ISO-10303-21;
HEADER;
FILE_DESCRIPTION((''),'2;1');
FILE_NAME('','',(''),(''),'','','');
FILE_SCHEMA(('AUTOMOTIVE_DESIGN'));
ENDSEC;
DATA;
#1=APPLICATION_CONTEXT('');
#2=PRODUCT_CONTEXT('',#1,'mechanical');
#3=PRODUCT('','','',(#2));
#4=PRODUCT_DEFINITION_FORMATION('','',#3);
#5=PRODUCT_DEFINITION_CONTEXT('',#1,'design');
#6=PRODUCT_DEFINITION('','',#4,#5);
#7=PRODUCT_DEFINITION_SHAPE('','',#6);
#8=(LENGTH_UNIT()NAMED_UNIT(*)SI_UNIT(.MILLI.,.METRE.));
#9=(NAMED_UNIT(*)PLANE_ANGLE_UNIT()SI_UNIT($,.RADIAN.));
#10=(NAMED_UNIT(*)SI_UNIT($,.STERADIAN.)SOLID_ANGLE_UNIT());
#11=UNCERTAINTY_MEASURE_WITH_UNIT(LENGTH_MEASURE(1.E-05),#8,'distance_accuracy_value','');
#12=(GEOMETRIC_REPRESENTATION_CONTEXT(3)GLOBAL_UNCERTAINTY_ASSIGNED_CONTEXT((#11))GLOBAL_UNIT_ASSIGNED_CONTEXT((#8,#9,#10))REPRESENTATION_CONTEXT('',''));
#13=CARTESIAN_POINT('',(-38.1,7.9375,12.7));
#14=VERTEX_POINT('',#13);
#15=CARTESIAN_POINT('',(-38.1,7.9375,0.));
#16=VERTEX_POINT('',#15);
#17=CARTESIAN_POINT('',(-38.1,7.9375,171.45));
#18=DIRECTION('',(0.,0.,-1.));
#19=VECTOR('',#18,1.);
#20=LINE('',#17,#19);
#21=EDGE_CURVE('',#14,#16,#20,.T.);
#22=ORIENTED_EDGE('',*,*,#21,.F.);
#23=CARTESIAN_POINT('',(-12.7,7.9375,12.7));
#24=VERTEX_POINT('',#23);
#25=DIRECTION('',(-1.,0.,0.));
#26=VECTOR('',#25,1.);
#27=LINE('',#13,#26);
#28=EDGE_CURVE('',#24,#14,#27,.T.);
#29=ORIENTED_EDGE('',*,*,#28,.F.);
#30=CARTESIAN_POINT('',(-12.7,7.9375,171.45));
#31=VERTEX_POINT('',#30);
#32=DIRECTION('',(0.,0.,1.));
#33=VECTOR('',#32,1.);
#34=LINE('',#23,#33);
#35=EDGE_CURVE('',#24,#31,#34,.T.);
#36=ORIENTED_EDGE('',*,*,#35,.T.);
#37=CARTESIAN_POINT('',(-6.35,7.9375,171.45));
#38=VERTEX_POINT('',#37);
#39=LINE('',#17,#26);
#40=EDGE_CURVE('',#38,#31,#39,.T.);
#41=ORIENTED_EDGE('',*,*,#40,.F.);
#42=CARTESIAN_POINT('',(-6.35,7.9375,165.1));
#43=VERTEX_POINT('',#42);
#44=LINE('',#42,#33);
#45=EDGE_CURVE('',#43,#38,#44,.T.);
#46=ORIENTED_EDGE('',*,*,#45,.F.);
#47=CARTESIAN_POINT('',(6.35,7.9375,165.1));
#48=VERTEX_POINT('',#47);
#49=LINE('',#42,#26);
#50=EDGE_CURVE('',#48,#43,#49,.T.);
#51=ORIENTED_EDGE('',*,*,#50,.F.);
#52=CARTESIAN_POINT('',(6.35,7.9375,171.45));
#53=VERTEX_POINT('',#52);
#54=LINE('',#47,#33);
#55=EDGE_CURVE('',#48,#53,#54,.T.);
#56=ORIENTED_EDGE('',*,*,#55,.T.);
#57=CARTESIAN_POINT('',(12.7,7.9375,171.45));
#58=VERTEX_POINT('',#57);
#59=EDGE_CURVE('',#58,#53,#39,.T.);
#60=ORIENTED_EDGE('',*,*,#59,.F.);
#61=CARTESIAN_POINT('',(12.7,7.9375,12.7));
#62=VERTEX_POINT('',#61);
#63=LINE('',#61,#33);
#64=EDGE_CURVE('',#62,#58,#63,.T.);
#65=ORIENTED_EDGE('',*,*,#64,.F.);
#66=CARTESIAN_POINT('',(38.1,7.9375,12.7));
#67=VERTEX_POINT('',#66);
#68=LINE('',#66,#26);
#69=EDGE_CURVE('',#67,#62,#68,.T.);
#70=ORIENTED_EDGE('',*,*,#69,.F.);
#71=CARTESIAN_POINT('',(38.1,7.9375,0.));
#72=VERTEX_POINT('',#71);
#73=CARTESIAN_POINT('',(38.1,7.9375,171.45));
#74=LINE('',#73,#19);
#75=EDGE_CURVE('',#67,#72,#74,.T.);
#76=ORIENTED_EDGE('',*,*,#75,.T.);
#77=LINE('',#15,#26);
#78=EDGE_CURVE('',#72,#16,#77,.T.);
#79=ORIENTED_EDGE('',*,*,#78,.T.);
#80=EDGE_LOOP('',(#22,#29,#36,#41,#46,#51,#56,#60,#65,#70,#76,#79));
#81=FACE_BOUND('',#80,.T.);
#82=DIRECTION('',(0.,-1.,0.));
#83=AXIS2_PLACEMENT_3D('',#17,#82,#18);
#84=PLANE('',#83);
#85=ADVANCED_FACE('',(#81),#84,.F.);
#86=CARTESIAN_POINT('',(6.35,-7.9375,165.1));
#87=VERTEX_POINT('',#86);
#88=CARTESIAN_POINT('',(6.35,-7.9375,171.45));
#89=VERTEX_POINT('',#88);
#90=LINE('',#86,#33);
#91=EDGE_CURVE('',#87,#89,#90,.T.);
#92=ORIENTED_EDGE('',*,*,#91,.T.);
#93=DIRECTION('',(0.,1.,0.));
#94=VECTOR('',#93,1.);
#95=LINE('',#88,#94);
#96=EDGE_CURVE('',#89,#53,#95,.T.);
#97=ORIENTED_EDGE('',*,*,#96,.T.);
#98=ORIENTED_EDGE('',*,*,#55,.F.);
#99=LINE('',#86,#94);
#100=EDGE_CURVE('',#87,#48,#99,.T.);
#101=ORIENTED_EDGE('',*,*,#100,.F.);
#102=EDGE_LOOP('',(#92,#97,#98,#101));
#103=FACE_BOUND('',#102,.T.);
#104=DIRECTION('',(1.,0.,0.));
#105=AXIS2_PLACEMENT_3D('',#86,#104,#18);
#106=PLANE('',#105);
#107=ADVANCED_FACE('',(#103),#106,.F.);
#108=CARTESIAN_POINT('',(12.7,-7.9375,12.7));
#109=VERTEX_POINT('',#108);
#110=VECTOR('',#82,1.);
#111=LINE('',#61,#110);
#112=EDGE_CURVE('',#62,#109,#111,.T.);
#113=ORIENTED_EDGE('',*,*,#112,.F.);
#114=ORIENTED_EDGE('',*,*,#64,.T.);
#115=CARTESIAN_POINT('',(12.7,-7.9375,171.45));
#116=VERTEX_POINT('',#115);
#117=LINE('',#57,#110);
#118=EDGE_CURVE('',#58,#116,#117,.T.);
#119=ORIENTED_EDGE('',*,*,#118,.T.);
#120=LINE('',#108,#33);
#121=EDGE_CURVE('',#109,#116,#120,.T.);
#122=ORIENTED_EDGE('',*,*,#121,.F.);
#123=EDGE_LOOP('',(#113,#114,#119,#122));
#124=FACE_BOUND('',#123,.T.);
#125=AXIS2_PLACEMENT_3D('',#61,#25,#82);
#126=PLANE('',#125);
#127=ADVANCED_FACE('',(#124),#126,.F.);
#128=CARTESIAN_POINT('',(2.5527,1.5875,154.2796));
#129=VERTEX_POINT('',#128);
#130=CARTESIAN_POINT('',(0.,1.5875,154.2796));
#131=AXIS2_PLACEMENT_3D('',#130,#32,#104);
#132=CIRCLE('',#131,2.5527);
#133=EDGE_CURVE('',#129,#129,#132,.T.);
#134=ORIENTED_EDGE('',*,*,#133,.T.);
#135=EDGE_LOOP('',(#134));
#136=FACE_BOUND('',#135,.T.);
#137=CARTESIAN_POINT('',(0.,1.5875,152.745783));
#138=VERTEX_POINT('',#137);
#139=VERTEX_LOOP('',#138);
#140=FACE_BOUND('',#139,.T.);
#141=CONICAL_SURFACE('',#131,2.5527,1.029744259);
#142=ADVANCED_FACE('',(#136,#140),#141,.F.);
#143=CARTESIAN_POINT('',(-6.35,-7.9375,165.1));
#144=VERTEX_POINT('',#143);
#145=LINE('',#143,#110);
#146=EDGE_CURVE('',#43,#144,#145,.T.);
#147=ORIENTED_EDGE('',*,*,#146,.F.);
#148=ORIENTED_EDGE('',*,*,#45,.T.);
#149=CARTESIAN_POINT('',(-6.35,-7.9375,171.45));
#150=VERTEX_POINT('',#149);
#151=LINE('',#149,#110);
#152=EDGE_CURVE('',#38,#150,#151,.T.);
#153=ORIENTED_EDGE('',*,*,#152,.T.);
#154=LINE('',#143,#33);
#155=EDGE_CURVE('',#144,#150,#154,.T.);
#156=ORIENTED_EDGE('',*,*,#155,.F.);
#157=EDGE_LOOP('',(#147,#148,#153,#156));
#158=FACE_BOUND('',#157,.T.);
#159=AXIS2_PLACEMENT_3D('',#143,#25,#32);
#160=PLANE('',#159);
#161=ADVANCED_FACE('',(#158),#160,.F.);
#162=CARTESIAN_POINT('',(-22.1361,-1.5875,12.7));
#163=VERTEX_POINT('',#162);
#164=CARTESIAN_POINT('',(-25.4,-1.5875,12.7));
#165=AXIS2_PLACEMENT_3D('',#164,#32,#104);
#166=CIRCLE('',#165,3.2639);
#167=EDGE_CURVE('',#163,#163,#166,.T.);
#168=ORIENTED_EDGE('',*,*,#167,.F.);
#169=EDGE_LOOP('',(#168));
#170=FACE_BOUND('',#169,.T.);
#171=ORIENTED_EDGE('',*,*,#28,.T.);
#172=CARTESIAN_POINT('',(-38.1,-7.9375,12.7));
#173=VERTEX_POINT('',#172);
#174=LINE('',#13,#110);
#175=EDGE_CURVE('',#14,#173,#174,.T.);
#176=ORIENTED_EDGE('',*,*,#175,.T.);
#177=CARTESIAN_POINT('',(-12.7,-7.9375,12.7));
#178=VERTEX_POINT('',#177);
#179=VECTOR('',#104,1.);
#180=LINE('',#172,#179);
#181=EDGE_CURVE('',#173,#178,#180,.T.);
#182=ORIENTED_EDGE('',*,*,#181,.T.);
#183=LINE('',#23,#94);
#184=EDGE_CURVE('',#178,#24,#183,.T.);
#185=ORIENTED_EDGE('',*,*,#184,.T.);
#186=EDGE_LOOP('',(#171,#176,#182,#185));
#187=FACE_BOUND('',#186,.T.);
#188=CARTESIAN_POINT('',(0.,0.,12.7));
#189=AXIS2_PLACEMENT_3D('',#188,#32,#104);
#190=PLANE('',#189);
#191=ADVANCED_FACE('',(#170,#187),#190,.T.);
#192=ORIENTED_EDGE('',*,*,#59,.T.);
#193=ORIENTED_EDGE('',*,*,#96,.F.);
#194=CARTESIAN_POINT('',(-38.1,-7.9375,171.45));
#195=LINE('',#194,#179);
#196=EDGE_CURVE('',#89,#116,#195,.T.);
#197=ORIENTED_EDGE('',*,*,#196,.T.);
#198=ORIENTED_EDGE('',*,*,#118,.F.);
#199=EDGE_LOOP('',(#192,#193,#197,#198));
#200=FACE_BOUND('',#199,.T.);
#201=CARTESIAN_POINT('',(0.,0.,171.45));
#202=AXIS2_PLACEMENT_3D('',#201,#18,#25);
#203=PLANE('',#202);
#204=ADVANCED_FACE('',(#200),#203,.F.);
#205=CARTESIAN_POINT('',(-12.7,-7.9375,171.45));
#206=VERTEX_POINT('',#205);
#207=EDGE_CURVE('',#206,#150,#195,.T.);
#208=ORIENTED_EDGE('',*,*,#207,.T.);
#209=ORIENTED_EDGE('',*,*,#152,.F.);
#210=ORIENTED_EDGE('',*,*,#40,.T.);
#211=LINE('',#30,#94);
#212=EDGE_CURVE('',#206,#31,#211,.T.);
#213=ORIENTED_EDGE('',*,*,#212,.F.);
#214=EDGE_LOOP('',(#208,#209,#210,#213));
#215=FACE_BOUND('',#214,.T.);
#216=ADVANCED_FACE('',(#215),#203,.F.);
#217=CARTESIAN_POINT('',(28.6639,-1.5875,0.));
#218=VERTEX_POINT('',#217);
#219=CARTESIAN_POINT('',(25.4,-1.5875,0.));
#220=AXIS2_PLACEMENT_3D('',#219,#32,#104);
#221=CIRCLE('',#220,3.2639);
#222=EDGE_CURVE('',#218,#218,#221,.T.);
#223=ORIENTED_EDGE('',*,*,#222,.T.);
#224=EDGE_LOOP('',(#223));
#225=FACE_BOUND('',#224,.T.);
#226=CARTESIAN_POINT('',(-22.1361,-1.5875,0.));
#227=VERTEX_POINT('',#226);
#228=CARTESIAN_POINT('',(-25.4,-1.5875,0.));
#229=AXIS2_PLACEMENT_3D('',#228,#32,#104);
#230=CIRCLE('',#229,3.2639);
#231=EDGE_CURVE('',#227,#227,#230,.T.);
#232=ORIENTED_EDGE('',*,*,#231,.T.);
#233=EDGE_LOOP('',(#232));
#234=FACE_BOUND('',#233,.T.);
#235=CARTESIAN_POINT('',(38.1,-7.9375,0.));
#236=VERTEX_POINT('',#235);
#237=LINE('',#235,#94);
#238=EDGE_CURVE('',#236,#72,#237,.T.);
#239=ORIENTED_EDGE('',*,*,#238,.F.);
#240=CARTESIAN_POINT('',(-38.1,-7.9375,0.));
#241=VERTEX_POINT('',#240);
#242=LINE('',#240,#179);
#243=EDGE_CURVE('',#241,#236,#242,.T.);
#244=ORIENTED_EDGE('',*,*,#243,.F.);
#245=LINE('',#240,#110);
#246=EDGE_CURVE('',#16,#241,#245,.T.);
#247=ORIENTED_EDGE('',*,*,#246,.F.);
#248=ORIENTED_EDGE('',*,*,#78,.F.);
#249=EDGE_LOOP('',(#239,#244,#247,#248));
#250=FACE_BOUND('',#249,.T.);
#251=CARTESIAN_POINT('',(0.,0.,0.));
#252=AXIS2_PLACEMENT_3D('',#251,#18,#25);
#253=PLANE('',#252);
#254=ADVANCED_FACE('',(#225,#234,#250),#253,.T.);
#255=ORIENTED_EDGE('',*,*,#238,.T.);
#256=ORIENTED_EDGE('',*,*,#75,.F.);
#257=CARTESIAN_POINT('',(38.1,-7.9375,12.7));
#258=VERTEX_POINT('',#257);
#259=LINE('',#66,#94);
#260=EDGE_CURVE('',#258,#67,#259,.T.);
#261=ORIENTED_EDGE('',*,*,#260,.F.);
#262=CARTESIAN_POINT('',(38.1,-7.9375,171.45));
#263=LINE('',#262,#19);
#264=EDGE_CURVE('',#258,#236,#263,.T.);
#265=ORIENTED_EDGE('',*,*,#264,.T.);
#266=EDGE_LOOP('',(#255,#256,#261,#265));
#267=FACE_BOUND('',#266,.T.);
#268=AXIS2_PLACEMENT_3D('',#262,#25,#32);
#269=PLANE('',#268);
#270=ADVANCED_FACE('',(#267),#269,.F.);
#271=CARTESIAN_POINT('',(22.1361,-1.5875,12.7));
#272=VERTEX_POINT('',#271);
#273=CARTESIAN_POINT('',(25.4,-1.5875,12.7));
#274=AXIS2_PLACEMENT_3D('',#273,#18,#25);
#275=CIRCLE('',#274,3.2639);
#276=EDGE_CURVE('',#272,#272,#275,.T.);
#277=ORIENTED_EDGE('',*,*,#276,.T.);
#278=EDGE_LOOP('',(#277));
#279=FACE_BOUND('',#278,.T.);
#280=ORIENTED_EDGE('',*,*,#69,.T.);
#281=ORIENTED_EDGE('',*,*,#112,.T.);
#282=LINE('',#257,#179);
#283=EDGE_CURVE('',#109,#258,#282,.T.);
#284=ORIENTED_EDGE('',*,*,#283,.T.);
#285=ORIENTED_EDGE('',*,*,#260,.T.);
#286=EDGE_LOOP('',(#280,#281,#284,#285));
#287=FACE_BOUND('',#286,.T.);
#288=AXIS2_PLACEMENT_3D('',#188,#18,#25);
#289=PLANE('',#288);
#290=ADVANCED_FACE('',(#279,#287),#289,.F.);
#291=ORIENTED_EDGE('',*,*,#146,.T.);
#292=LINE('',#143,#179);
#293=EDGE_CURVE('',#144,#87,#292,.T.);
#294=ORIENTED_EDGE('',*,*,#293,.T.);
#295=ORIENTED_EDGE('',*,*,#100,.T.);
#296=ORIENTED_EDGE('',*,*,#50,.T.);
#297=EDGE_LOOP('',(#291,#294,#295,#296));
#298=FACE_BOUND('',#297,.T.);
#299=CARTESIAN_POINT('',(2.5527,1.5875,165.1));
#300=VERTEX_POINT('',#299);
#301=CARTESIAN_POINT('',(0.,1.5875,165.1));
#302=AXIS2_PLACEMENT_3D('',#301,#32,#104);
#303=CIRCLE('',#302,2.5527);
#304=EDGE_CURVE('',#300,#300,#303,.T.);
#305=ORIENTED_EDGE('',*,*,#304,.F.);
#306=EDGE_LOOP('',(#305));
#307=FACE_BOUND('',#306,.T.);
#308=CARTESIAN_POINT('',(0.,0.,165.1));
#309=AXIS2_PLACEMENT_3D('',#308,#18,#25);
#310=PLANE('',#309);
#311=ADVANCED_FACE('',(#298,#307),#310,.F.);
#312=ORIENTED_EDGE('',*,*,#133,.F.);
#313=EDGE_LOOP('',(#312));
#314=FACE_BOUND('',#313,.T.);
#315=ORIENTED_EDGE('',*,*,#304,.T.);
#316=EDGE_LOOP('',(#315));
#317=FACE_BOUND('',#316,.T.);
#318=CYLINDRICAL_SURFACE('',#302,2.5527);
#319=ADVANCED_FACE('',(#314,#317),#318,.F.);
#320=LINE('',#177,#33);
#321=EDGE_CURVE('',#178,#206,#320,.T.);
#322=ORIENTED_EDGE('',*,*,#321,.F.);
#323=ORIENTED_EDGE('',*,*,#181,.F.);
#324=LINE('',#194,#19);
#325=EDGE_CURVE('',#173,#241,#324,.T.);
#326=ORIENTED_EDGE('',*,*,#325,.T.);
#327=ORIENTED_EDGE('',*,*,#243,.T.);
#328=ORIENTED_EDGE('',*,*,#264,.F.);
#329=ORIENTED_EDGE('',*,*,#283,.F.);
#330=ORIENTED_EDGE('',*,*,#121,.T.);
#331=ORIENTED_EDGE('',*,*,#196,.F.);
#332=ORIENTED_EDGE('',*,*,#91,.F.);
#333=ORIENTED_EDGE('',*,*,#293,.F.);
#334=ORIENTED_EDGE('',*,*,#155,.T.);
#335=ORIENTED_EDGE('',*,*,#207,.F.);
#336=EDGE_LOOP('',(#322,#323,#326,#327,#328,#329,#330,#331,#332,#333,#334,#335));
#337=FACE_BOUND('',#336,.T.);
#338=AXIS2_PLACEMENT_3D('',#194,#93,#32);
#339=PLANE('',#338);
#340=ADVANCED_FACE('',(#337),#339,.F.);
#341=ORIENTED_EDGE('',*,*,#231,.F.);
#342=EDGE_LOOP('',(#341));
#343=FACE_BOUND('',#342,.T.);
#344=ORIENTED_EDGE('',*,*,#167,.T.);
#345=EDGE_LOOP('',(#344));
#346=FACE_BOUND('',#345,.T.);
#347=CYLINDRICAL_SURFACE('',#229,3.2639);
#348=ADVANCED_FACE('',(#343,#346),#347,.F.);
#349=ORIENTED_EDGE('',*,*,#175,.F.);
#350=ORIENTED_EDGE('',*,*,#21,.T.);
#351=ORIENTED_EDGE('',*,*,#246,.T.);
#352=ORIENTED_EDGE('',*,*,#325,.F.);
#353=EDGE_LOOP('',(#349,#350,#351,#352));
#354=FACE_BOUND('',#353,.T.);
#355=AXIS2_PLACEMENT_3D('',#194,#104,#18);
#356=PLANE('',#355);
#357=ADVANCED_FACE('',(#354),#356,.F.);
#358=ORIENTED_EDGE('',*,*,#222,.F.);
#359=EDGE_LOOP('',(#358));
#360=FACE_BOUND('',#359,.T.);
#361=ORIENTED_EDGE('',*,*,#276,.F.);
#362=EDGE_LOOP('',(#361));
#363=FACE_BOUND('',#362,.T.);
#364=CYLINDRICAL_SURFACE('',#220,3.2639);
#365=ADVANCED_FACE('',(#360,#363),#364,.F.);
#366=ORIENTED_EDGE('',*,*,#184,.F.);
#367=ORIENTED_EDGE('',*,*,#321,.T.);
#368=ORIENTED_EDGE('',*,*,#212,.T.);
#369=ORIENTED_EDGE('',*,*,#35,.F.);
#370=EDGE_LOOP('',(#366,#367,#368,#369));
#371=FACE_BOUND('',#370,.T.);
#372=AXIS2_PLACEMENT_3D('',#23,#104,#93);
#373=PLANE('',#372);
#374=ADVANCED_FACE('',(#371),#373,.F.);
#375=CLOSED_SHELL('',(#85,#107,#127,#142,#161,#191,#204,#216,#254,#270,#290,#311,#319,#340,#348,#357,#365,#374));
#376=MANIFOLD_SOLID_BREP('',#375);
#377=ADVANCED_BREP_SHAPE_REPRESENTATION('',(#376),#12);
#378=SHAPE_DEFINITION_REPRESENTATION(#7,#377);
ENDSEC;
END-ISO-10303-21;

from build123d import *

# Parameters (mm, degrees)
SKETCH1_W                   = 76.2
SKETCH1_H                   = 15.875
BOSS_EXTRUDE1_DEPTH         = 171.45
SKETCH2_W                   = 25.4
SKETCH2_H                   = 15.875
CUT_EXTRUDE1_DEPTH          = 158.75
SKETCH3_W                   = 12.7
SKETCH3_H                   = 15.875
CUT_EXTRUDE2_DEPTH          = 6.35
F_1_4_20_TAPPED_HOLE1_D     = 5.1054
F_1_4_20_TAPPED_HOLE1_DEPTH = 10.8204
F_1_4_20_TAPPED_HOLE1_TIP   = 1.533816902
SKETCH6_R                   = 3.2639
CUT_EXTRUDE3_DEPTH          = 159.75
CUT_EXTRUDE3_DEPTH_BACK     = 13.7


with BuildPart() as part:
    # Sketch1 → Boss-Extrude1 (new body)
    with BuildSketch(Plane.XY):
        Rectangle(SKETCH1_W, SKETCH1_H)
    extrude(amount=BOSS_EXTRUDE1_DEPTH)

    # Sketch2 → Cut-Extrude1 (cut)
    with BuildSketch(Plane.XY.offset(171.45)):
        with Locations((-25.4, 0)):
            Rectangle(SKETCH2_W, SKETCH2_H)
        with Locations((25.4, 0)):
            Rectangle(SKETCH2_W, SKETCH2_H)
    extrude(amount=-CUT_EXTRUDE1_DEPTH, mode=Mode.SUBTRACT)

    # Sketch3 → Cut-Extrude2 (cut)
    with BuildSketch(Plane.XY.offset(171.45)):
        Rectangle(SKETCH3_W, SKETCH3_H)
    extrude(amount=-CUT_EXTRUDE2_DEPTH, mode=Mode.SUBTRACT)

    # 1/4-20 Tapped Hole1
    with Locations(Plane.XY.offset(165.1)):
        with Locations((0, 1.5875)):
            Hole(F_1_4_20_TAPPED_HOLE1_D / 2, depth=F_1_4_20_TAPPED_HOLE1_DEPTH)
            with Locations((0, 0, -(F_1_4_20_TAPPED_HOLE1_DEPTH + F_1_4_20_TAPPED_HOLE1_TIP / 2))):  # 118° drill point
                Cone(0, F_1_4_20_TAPPED_HOLE1_D / 2, F_1_4_20_TAPPED_HOLE1_TIP, mode=Mode.SUBTRACT)

    # Sketch6 → Cut-Extrude3 (cut, two sides)
    with BuildSketch(Plane.XY.offset(12.7)) as cut_extrude3_sk:
        with Locations((-25.4, -1.5875)):
            Circle(SKETCH6_R)
        with Locations((25.4, -1.5875)):
            Circle(SKETCH6_R)
    extrude(amount=CUT_EXTRUDE3_DEPTH, mode=Mode.SUBTRACT)
    extrude(cut_extrude3_sk.sketch, amount=-CUT_EXTRUDE3_DEPTH_BACK, mode=Mode.SUBTRACT)


solid = part.part
